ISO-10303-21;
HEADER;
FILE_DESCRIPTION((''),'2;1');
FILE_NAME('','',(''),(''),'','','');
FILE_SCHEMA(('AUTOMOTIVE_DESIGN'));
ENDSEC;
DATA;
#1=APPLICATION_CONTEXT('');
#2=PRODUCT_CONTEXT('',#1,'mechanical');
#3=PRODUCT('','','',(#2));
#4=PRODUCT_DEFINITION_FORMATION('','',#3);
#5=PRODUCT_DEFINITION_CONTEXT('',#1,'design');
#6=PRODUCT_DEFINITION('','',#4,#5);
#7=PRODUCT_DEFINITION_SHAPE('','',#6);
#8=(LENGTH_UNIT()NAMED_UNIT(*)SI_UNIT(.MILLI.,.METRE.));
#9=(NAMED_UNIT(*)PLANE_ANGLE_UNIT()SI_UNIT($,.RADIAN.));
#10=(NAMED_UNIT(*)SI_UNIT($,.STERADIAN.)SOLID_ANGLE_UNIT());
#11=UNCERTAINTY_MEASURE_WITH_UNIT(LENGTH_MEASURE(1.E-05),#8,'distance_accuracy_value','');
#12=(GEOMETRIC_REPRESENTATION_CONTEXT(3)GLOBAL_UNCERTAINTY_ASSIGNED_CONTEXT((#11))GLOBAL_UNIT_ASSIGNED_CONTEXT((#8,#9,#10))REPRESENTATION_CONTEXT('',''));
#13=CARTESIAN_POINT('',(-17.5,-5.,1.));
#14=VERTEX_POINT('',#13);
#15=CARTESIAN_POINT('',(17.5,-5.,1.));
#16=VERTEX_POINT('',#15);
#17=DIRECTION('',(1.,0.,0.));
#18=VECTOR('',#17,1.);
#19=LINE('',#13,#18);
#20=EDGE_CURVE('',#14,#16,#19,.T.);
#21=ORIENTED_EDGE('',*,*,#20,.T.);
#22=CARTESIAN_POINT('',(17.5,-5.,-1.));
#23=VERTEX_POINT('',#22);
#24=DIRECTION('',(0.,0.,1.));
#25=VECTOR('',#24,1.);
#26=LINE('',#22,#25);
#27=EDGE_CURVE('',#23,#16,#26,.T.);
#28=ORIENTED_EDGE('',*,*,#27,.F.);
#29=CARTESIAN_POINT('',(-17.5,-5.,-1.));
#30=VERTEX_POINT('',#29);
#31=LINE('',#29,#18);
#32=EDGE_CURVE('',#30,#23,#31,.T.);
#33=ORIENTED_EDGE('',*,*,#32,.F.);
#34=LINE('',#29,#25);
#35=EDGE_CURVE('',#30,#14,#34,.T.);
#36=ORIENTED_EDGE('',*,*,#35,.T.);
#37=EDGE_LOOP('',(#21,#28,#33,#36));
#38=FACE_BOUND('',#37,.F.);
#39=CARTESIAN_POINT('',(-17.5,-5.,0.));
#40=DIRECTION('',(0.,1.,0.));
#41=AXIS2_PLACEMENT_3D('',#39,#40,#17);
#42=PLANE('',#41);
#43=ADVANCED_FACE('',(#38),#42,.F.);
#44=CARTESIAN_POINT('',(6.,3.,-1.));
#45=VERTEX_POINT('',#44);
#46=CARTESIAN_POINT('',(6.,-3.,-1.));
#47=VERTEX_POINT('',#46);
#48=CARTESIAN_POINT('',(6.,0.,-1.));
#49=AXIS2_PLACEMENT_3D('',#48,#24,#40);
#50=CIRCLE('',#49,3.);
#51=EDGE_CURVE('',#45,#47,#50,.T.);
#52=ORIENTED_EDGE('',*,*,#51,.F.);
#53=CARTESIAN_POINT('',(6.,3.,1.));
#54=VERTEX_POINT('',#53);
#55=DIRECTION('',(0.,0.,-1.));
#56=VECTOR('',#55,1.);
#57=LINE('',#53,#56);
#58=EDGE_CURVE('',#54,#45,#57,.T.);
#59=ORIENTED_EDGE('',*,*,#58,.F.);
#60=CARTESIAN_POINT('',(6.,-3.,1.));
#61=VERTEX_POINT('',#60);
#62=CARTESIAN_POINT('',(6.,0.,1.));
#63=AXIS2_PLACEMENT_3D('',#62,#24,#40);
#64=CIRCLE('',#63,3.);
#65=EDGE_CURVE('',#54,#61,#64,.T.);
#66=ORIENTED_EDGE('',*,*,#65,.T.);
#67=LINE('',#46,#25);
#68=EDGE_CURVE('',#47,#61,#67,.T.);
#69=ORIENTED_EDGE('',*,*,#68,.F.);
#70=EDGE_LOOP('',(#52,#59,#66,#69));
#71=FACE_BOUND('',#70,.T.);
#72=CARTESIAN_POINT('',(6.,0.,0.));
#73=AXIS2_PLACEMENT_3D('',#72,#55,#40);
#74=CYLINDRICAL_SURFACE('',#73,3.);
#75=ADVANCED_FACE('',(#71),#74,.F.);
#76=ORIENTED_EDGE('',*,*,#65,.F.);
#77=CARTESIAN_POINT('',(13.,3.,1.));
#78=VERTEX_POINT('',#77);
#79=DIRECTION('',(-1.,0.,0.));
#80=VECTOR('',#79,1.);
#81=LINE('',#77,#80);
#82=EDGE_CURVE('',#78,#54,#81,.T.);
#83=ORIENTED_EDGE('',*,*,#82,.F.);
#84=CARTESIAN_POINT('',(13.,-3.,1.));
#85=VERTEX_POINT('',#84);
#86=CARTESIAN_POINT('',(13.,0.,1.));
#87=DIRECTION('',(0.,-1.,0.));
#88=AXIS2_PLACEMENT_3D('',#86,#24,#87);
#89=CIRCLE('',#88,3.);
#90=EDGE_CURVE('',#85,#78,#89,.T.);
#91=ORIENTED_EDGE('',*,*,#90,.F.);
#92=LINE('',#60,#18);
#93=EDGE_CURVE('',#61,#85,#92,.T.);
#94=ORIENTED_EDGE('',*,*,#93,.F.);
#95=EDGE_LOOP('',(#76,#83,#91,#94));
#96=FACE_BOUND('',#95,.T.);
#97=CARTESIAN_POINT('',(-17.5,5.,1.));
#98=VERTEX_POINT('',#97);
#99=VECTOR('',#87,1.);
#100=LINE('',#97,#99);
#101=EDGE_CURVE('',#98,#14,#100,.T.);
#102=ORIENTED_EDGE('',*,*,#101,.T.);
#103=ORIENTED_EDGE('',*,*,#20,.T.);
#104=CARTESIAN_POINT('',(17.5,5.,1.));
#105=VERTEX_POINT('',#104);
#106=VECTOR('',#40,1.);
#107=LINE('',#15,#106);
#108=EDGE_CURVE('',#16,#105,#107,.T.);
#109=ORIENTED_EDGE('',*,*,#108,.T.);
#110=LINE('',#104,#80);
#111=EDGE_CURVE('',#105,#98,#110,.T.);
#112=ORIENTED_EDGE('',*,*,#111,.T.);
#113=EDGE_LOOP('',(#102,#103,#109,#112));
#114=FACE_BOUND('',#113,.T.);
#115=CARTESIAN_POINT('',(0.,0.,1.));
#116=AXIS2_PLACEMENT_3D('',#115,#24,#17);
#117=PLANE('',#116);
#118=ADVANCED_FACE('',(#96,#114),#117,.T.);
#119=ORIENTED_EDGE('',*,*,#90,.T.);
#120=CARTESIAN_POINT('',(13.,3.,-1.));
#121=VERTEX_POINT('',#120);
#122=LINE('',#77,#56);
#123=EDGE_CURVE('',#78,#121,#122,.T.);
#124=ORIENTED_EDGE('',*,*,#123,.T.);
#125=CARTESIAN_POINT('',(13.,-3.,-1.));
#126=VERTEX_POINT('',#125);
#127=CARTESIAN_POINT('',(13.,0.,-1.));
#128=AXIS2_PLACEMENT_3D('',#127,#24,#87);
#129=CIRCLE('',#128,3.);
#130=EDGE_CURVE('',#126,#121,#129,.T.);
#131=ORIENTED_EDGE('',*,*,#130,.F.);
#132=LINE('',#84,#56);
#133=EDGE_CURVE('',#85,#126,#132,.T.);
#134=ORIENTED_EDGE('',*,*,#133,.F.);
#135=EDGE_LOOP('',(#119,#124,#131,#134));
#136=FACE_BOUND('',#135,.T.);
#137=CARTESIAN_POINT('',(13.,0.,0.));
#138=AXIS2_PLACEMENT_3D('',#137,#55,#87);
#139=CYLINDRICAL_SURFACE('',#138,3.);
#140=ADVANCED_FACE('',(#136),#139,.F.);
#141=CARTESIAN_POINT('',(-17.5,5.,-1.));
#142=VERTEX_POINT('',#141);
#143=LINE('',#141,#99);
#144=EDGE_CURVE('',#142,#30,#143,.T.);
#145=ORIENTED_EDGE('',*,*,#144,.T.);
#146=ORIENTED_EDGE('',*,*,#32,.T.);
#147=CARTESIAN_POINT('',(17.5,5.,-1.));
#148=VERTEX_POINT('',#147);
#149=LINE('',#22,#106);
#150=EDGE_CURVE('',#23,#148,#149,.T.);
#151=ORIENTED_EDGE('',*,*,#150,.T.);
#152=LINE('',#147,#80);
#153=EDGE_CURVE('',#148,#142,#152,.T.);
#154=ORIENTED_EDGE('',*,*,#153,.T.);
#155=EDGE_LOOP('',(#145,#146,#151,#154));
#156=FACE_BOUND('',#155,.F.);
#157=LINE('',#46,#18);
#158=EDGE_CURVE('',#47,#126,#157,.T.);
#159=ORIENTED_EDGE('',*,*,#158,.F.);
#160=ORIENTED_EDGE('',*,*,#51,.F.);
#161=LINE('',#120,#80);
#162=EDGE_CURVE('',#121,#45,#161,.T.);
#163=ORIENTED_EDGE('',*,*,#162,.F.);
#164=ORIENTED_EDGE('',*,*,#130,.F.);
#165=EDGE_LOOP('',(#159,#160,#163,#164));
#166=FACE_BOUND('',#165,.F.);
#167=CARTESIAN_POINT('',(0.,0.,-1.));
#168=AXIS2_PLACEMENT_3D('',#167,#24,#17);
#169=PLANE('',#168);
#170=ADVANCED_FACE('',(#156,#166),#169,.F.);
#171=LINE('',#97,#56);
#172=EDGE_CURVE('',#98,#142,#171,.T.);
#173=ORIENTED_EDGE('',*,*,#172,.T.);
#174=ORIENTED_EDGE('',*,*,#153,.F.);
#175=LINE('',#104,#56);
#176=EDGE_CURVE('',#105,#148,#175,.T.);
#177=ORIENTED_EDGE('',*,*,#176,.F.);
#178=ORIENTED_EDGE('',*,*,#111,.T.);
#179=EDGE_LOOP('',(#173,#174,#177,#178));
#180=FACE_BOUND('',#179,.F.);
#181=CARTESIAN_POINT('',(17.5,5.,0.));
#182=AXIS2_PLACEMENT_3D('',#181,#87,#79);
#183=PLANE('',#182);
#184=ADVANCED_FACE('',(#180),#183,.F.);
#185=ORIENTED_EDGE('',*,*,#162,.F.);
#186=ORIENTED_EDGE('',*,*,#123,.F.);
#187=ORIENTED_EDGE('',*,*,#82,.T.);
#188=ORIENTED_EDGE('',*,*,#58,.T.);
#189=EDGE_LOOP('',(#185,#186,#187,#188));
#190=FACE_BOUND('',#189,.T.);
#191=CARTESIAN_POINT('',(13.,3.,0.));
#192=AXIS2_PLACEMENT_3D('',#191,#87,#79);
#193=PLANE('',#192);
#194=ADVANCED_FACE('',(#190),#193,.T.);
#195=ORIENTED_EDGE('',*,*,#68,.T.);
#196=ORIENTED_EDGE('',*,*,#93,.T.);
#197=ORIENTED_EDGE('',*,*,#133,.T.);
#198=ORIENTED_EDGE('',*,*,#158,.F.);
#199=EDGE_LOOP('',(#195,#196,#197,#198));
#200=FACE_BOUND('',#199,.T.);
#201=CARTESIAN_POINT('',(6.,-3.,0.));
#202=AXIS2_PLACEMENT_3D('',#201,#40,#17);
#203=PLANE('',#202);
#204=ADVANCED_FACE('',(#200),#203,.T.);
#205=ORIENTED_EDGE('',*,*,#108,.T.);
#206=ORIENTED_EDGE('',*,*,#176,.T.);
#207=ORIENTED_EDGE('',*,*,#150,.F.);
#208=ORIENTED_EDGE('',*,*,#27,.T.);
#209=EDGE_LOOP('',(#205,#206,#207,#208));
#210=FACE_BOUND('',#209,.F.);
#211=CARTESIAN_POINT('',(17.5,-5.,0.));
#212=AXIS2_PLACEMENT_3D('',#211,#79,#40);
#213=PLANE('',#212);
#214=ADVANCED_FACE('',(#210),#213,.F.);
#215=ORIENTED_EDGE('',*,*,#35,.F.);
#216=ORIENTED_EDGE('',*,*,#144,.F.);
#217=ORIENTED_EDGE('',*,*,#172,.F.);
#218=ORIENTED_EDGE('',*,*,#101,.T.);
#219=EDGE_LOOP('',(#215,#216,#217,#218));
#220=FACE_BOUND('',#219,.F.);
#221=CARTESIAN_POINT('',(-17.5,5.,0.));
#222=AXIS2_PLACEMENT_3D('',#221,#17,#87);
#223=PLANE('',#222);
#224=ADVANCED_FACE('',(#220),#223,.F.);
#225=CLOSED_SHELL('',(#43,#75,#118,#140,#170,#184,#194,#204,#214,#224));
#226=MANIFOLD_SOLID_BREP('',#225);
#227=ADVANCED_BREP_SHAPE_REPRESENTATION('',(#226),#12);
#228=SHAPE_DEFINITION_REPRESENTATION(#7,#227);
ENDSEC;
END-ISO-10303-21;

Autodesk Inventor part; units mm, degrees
ref_plane "YZ Plane" through (0, 0, 0) normal (1, 0, 0) x (0, 1, 0)
ref_plane "XZ Plane" through (0, 0, 0) normal (0, 1, 0) x (-1, 0, 0)
ref_plane "XY Plane" through (0, 0, 0) normal (0, 0, 1) x (1, 0, 0)
sketch "Sketch1" plane through (0, 0, 0) normal (0, 0, 1) x (1, 0, 0)
  line L0 (-17.5, -5) -> (17.5, -5)
  line L1 (17.5, -5) -> (17.5, 5)
  line L2 (17.5, 5) -> (-17.5, 5)
  line L3 (-17.5, 5) -> (-17.5, -5)
  line L4 (-17.5, -5) -> (17.5, 5) construction
  line L5 (17.5, -5) -> (-17.5, 5) construction
  line L6 (6, 0) -> (13, 0) construction
  line L7 (6, -3) -> (13, -3)
  line L8 (13, 3) -> (6, 3)
  arc A0 (6, 3) -> (6, -3) centre (6, 0) ccw
  arc A1 (13, -3) -> (13, 3) centre (13, 0) ccw
  line L9 (-17.5, 0) -> (17.5, 0) construction
  point P0 (0, 0)
  point P1 (9.5, 0)
  dimension "d0" = 10
  dimension "d1" = 35
  dimension "d2" = 3
  dimension "d3" = 8
  dimension "d4" = 7
extrude "Extrusion1" add sketch "Sketch1" along normal mid plane 2
properties part number "Platina Posterior Derecha"
